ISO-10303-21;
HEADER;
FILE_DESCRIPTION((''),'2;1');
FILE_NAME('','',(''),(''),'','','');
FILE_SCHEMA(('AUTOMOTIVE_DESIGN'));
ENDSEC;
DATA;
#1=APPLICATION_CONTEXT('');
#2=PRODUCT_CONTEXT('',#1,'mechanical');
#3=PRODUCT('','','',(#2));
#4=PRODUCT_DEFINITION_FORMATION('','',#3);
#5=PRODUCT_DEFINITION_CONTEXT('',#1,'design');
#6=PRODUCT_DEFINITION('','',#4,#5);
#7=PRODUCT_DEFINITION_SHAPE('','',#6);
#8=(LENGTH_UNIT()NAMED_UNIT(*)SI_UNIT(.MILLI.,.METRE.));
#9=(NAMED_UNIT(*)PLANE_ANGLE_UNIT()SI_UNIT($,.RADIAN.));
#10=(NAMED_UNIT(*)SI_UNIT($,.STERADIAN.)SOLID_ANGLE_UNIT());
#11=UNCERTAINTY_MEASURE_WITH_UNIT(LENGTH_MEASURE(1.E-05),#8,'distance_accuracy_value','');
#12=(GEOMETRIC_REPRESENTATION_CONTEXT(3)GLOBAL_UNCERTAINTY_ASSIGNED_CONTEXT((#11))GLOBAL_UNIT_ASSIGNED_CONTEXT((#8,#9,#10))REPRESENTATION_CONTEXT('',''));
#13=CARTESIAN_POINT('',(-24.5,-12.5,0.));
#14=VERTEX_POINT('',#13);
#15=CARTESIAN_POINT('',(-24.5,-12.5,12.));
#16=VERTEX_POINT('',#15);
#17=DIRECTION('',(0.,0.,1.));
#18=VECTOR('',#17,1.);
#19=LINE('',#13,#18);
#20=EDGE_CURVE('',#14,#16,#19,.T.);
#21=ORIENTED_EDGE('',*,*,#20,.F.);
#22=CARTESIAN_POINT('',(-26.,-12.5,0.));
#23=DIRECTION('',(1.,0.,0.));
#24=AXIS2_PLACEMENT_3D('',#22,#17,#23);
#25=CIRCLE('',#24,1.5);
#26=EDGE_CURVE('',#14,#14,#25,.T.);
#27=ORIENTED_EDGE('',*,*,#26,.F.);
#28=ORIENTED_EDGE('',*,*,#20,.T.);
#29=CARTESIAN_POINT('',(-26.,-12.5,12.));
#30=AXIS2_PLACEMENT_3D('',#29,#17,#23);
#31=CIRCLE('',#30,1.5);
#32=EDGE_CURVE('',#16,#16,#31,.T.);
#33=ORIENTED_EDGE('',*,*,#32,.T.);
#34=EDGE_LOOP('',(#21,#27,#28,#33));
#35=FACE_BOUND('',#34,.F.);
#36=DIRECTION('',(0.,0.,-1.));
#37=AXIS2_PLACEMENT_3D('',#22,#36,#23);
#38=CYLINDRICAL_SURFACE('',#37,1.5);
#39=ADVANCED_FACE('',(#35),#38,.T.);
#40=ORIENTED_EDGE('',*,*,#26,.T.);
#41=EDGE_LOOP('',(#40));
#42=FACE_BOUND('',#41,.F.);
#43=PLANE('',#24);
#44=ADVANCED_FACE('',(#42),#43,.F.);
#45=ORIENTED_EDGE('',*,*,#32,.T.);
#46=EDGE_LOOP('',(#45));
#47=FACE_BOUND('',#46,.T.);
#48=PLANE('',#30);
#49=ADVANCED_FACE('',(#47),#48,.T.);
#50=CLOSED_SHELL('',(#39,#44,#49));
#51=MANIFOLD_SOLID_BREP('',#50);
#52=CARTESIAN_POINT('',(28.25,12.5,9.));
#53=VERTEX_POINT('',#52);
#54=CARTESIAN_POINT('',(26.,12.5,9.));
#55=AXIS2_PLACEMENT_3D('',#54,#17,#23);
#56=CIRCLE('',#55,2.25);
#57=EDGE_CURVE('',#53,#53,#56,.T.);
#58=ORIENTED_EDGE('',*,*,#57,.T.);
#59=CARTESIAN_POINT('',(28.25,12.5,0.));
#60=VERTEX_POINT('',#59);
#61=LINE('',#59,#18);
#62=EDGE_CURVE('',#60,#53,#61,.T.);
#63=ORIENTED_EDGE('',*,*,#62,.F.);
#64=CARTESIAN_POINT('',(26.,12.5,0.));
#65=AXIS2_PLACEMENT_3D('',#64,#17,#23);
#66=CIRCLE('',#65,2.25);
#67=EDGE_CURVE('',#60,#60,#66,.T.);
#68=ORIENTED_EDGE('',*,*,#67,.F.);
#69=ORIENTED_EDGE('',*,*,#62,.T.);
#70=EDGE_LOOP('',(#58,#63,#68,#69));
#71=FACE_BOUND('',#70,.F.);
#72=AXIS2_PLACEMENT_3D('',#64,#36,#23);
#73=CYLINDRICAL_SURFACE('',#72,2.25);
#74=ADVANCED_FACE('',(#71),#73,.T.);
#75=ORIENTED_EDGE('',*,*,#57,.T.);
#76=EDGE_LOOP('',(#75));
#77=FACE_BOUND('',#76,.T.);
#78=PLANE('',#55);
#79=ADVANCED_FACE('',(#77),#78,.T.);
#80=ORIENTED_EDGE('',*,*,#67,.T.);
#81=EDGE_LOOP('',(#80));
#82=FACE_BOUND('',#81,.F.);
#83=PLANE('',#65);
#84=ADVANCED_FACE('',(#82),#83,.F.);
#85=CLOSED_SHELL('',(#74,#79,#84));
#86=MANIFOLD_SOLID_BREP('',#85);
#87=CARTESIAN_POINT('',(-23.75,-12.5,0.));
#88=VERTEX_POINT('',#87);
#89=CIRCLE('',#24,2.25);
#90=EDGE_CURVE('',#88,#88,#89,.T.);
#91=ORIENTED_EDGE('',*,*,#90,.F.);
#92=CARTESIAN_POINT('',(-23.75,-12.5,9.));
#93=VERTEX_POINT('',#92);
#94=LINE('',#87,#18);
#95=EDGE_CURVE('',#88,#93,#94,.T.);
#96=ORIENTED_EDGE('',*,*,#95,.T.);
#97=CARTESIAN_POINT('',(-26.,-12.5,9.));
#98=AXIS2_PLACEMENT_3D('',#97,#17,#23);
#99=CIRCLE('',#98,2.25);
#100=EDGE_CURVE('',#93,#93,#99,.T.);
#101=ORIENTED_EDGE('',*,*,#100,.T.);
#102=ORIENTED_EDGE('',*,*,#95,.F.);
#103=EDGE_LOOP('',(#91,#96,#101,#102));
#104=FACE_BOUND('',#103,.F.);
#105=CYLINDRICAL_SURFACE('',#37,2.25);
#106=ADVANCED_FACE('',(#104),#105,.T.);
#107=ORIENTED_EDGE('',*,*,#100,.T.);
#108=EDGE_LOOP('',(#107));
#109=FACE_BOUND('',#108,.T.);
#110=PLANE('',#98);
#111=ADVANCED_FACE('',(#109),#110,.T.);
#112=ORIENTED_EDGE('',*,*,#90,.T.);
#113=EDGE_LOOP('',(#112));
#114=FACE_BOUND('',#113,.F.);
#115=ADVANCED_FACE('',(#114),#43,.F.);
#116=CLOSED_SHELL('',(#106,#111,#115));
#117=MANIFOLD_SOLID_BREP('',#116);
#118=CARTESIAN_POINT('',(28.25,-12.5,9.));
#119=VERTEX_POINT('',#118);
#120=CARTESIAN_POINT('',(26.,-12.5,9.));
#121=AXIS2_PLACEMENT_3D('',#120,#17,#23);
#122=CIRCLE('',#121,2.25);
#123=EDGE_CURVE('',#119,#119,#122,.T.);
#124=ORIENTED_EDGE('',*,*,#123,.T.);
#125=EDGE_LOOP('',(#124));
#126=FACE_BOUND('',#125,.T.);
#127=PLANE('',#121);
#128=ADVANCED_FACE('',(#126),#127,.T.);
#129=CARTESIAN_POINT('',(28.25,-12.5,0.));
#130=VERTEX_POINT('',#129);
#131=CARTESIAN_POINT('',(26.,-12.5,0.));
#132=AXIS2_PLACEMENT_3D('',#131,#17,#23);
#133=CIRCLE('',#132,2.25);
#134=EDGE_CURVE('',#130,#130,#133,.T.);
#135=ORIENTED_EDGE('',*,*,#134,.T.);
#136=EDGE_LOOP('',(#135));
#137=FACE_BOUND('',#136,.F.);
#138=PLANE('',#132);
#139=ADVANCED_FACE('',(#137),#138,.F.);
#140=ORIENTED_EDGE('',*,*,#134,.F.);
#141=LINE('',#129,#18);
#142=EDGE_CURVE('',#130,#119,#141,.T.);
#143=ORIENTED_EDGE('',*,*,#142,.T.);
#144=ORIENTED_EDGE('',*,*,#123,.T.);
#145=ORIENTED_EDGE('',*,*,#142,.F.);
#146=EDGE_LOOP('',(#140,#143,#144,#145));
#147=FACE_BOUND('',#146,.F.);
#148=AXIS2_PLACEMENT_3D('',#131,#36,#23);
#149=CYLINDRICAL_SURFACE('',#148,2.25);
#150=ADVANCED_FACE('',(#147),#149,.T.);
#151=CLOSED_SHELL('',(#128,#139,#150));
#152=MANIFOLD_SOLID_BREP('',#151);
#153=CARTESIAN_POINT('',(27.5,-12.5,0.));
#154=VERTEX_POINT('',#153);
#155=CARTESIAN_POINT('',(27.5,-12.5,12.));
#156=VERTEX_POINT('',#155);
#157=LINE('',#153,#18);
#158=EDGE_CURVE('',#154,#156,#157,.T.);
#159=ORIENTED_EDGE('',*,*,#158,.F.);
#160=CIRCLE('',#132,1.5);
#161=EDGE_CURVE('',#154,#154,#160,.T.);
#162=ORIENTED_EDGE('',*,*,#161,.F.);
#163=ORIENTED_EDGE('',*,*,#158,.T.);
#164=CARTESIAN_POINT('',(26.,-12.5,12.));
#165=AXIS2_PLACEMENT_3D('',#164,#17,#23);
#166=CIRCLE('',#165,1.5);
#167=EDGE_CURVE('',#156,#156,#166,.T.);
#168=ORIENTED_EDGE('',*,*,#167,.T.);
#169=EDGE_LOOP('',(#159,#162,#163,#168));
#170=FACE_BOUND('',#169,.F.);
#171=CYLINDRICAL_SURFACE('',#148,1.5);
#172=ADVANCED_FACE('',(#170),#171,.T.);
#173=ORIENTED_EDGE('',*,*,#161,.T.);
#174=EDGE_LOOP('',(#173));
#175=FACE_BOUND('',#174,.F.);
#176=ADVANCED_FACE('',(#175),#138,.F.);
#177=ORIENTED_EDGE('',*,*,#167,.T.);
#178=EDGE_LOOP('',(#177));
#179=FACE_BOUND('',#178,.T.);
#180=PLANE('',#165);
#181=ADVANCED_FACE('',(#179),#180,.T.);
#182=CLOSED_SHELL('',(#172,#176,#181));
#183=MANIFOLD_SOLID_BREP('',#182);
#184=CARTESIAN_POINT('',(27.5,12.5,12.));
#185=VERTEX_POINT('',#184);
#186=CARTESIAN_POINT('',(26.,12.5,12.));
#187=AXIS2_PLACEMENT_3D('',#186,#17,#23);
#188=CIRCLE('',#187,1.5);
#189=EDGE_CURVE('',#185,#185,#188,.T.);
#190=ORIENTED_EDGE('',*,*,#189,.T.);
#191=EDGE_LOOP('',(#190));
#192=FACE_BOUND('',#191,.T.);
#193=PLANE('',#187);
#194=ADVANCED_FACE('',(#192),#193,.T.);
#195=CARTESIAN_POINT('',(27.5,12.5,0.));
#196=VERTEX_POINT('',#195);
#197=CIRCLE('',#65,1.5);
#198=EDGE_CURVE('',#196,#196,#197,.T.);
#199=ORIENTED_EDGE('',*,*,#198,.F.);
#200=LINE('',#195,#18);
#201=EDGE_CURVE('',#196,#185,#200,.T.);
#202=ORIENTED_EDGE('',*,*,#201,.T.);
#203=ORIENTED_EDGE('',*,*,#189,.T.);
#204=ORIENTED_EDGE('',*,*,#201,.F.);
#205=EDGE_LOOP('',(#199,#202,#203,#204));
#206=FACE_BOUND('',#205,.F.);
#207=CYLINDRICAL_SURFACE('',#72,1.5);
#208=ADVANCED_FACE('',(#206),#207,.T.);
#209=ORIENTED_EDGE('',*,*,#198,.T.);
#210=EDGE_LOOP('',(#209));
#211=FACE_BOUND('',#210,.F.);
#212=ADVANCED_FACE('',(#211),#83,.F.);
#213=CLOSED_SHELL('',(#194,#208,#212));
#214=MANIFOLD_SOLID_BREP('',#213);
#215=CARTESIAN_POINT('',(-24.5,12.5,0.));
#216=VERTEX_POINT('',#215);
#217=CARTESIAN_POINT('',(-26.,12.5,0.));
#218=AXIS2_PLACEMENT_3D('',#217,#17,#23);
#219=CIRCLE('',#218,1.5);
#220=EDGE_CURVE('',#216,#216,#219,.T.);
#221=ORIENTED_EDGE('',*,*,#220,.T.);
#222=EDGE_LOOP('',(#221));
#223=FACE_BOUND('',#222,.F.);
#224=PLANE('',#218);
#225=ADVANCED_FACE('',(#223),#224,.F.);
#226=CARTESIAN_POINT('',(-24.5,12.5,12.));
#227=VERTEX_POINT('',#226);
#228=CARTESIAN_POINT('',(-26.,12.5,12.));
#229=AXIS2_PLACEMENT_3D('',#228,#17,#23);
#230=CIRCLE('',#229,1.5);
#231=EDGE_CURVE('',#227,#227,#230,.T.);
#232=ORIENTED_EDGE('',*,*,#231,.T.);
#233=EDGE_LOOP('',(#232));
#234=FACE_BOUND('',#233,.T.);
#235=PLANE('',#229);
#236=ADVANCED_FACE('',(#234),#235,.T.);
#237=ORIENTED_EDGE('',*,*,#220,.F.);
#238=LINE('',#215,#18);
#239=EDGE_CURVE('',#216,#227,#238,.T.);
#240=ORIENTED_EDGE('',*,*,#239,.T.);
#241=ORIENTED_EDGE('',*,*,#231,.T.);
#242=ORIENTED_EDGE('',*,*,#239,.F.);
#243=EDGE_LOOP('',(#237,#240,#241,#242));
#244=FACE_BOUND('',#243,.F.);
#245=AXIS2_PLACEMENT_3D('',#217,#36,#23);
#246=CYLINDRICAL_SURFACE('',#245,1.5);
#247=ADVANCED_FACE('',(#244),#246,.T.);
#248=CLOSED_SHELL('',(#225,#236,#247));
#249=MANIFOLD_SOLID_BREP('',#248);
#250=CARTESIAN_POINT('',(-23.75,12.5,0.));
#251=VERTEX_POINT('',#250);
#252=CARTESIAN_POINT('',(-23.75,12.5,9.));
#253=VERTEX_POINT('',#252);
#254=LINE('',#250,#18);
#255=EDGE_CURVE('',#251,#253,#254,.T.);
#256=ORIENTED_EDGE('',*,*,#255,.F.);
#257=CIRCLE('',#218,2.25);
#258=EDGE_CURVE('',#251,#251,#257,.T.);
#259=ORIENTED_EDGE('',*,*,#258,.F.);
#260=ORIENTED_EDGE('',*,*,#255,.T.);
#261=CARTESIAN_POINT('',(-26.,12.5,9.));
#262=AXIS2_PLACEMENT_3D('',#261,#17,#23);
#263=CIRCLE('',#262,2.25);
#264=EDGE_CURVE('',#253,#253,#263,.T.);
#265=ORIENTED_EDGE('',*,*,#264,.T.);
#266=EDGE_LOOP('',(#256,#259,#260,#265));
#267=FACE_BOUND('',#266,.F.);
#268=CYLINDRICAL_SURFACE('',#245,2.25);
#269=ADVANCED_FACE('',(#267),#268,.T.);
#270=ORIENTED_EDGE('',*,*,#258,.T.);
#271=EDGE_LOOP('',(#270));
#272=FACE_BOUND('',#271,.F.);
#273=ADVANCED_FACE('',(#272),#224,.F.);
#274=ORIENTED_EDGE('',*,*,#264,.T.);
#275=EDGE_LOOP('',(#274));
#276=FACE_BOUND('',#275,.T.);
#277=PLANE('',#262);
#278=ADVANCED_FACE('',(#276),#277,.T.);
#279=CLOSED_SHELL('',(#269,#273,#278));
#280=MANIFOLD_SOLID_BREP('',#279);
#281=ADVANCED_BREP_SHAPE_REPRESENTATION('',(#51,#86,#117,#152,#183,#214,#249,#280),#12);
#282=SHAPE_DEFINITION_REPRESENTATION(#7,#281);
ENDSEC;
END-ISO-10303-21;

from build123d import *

# Parameters (mm, degrees)
SKETCH001_R  = 2.25
PAD_DEPTH    = 9
SKETCH_R     = 1.5
PAD001_DEPTH = 12


with BuildPart() as pad_mounting_pads:
    # Sketch001 → Pad (new body)
    with BuildSketch(Plane.XY):
        with Locations((-26, 12.5)):
            Circle(SKETCH001_R)
        with Locations((-26, -12.5)):
            Circle(SKETCH001_R)
        with Locations((26, 12.5)):
            Circle(SKETCH001_R)
        with Locations((26, -12.5)):
            Circle(SKETCH001_R)
    extrude(amount=PAD_DEPTH)


with BuildPart() as pad_mounting_posts:
    # Sketch → Pad001 (new body)
    with BuildSketch(Plane.XY):
        with Locations((-26, 12.5)):
            Circle(SKETCH_R)
        with Locations((-26, -12.5)):
            Circle(SKETCH_R)
        with Locations((26, 12.5)):
            Circle(SKETCH_R)
        with Locations((26, -12.5)):
            Circle(SKETCH_R)
    extrude(amount=PAD001_DEPTH)


solid = Compound([pad_mounting_pads.part, pad_mounting_posts.part])
